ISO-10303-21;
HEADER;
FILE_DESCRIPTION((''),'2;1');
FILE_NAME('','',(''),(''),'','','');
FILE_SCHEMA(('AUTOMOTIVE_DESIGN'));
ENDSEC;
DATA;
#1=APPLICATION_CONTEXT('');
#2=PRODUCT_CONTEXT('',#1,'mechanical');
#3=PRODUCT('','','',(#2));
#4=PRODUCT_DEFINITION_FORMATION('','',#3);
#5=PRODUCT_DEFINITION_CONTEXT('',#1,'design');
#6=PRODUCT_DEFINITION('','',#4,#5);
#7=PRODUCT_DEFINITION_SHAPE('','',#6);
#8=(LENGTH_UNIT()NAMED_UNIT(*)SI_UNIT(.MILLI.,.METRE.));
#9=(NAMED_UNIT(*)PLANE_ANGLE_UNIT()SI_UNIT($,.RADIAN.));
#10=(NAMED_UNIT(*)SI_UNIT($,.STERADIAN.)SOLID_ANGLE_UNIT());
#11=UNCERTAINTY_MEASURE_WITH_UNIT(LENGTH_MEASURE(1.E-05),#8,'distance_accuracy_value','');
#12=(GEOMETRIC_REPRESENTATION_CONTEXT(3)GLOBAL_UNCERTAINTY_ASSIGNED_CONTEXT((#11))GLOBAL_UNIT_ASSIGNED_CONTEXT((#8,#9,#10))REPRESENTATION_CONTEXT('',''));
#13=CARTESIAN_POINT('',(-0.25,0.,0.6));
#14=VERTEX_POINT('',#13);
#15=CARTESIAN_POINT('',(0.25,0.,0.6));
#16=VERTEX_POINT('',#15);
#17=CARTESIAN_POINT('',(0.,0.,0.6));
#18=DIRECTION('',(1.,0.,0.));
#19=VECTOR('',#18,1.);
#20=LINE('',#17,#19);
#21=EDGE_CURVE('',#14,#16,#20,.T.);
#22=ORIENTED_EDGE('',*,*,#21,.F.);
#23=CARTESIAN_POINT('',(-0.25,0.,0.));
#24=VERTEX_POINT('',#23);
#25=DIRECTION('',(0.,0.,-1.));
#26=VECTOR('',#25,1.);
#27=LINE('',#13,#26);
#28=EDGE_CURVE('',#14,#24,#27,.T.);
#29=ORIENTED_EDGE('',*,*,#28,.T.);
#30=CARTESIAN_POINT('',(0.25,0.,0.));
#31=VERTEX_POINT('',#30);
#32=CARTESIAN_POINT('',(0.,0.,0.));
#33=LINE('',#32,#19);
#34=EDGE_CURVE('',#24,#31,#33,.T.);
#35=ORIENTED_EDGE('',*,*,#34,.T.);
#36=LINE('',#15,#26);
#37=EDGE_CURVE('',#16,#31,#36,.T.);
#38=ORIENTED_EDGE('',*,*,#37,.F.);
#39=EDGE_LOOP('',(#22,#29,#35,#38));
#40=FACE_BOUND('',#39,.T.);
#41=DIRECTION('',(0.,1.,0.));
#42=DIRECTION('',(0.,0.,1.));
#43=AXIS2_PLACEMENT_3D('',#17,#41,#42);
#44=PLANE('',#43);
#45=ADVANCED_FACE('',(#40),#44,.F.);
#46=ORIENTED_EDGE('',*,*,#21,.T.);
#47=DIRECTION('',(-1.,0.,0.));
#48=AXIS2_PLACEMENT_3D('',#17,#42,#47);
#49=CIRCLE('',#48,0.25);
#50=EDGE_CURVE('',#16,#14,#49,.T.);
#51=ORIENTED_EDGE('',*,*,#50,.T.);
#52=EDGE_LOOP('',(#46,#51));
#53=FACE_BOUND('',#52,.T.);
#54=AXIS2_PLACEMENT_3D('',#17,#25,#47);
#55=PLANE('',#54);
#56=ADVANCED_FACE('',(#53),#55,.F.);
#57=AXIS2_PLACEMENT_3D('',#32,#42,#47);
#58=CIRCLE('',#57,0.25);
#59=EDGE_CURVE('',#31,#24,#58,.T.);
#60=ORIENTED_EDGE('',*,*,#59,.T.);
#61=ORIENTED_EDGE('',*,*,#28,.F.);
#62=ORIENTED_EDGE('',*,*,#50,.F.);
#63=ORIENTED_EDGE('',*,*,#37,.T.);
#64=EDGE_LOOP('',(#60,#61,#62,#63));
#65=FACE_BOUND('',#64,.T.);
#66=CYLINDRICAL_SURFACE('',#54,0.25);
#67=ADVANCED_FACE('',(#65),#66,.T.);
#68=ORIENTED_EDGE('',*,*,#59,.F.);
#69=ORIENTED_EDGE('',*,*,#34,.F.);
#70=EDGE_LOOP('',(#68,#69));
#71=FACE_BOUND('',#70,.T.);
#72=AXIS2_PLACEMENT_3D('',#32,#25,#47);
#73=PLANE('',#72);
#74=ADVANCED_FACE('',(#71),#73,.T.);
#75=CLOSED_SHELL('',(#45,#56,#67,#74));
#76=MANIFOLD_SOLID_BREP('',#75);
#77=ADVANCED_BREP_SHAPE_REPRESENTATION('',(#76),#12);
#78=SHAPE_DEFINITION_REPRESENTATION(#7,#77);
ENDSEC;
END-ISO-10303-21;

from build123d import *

# Parameters (mm, degrees)
BOSS_EXTRUDE1_DEPTH = 0.6


with BuildPart() as part:
    # Sketch1 → Boss-Extrude1 (new body)
    with BuildSketch(Plane.XY):
        with BuildLine():
            Line((0, 0), (-0.25, 0))
            ThreePointArc((-0.25, 0), (0, 0.25), (0.25, 0))
            Line((0.25, 0), (0, 0))
        make_face()
    extrude(amount=BOSS_EXTRUDE1_DEPTH)


solid = part.part
